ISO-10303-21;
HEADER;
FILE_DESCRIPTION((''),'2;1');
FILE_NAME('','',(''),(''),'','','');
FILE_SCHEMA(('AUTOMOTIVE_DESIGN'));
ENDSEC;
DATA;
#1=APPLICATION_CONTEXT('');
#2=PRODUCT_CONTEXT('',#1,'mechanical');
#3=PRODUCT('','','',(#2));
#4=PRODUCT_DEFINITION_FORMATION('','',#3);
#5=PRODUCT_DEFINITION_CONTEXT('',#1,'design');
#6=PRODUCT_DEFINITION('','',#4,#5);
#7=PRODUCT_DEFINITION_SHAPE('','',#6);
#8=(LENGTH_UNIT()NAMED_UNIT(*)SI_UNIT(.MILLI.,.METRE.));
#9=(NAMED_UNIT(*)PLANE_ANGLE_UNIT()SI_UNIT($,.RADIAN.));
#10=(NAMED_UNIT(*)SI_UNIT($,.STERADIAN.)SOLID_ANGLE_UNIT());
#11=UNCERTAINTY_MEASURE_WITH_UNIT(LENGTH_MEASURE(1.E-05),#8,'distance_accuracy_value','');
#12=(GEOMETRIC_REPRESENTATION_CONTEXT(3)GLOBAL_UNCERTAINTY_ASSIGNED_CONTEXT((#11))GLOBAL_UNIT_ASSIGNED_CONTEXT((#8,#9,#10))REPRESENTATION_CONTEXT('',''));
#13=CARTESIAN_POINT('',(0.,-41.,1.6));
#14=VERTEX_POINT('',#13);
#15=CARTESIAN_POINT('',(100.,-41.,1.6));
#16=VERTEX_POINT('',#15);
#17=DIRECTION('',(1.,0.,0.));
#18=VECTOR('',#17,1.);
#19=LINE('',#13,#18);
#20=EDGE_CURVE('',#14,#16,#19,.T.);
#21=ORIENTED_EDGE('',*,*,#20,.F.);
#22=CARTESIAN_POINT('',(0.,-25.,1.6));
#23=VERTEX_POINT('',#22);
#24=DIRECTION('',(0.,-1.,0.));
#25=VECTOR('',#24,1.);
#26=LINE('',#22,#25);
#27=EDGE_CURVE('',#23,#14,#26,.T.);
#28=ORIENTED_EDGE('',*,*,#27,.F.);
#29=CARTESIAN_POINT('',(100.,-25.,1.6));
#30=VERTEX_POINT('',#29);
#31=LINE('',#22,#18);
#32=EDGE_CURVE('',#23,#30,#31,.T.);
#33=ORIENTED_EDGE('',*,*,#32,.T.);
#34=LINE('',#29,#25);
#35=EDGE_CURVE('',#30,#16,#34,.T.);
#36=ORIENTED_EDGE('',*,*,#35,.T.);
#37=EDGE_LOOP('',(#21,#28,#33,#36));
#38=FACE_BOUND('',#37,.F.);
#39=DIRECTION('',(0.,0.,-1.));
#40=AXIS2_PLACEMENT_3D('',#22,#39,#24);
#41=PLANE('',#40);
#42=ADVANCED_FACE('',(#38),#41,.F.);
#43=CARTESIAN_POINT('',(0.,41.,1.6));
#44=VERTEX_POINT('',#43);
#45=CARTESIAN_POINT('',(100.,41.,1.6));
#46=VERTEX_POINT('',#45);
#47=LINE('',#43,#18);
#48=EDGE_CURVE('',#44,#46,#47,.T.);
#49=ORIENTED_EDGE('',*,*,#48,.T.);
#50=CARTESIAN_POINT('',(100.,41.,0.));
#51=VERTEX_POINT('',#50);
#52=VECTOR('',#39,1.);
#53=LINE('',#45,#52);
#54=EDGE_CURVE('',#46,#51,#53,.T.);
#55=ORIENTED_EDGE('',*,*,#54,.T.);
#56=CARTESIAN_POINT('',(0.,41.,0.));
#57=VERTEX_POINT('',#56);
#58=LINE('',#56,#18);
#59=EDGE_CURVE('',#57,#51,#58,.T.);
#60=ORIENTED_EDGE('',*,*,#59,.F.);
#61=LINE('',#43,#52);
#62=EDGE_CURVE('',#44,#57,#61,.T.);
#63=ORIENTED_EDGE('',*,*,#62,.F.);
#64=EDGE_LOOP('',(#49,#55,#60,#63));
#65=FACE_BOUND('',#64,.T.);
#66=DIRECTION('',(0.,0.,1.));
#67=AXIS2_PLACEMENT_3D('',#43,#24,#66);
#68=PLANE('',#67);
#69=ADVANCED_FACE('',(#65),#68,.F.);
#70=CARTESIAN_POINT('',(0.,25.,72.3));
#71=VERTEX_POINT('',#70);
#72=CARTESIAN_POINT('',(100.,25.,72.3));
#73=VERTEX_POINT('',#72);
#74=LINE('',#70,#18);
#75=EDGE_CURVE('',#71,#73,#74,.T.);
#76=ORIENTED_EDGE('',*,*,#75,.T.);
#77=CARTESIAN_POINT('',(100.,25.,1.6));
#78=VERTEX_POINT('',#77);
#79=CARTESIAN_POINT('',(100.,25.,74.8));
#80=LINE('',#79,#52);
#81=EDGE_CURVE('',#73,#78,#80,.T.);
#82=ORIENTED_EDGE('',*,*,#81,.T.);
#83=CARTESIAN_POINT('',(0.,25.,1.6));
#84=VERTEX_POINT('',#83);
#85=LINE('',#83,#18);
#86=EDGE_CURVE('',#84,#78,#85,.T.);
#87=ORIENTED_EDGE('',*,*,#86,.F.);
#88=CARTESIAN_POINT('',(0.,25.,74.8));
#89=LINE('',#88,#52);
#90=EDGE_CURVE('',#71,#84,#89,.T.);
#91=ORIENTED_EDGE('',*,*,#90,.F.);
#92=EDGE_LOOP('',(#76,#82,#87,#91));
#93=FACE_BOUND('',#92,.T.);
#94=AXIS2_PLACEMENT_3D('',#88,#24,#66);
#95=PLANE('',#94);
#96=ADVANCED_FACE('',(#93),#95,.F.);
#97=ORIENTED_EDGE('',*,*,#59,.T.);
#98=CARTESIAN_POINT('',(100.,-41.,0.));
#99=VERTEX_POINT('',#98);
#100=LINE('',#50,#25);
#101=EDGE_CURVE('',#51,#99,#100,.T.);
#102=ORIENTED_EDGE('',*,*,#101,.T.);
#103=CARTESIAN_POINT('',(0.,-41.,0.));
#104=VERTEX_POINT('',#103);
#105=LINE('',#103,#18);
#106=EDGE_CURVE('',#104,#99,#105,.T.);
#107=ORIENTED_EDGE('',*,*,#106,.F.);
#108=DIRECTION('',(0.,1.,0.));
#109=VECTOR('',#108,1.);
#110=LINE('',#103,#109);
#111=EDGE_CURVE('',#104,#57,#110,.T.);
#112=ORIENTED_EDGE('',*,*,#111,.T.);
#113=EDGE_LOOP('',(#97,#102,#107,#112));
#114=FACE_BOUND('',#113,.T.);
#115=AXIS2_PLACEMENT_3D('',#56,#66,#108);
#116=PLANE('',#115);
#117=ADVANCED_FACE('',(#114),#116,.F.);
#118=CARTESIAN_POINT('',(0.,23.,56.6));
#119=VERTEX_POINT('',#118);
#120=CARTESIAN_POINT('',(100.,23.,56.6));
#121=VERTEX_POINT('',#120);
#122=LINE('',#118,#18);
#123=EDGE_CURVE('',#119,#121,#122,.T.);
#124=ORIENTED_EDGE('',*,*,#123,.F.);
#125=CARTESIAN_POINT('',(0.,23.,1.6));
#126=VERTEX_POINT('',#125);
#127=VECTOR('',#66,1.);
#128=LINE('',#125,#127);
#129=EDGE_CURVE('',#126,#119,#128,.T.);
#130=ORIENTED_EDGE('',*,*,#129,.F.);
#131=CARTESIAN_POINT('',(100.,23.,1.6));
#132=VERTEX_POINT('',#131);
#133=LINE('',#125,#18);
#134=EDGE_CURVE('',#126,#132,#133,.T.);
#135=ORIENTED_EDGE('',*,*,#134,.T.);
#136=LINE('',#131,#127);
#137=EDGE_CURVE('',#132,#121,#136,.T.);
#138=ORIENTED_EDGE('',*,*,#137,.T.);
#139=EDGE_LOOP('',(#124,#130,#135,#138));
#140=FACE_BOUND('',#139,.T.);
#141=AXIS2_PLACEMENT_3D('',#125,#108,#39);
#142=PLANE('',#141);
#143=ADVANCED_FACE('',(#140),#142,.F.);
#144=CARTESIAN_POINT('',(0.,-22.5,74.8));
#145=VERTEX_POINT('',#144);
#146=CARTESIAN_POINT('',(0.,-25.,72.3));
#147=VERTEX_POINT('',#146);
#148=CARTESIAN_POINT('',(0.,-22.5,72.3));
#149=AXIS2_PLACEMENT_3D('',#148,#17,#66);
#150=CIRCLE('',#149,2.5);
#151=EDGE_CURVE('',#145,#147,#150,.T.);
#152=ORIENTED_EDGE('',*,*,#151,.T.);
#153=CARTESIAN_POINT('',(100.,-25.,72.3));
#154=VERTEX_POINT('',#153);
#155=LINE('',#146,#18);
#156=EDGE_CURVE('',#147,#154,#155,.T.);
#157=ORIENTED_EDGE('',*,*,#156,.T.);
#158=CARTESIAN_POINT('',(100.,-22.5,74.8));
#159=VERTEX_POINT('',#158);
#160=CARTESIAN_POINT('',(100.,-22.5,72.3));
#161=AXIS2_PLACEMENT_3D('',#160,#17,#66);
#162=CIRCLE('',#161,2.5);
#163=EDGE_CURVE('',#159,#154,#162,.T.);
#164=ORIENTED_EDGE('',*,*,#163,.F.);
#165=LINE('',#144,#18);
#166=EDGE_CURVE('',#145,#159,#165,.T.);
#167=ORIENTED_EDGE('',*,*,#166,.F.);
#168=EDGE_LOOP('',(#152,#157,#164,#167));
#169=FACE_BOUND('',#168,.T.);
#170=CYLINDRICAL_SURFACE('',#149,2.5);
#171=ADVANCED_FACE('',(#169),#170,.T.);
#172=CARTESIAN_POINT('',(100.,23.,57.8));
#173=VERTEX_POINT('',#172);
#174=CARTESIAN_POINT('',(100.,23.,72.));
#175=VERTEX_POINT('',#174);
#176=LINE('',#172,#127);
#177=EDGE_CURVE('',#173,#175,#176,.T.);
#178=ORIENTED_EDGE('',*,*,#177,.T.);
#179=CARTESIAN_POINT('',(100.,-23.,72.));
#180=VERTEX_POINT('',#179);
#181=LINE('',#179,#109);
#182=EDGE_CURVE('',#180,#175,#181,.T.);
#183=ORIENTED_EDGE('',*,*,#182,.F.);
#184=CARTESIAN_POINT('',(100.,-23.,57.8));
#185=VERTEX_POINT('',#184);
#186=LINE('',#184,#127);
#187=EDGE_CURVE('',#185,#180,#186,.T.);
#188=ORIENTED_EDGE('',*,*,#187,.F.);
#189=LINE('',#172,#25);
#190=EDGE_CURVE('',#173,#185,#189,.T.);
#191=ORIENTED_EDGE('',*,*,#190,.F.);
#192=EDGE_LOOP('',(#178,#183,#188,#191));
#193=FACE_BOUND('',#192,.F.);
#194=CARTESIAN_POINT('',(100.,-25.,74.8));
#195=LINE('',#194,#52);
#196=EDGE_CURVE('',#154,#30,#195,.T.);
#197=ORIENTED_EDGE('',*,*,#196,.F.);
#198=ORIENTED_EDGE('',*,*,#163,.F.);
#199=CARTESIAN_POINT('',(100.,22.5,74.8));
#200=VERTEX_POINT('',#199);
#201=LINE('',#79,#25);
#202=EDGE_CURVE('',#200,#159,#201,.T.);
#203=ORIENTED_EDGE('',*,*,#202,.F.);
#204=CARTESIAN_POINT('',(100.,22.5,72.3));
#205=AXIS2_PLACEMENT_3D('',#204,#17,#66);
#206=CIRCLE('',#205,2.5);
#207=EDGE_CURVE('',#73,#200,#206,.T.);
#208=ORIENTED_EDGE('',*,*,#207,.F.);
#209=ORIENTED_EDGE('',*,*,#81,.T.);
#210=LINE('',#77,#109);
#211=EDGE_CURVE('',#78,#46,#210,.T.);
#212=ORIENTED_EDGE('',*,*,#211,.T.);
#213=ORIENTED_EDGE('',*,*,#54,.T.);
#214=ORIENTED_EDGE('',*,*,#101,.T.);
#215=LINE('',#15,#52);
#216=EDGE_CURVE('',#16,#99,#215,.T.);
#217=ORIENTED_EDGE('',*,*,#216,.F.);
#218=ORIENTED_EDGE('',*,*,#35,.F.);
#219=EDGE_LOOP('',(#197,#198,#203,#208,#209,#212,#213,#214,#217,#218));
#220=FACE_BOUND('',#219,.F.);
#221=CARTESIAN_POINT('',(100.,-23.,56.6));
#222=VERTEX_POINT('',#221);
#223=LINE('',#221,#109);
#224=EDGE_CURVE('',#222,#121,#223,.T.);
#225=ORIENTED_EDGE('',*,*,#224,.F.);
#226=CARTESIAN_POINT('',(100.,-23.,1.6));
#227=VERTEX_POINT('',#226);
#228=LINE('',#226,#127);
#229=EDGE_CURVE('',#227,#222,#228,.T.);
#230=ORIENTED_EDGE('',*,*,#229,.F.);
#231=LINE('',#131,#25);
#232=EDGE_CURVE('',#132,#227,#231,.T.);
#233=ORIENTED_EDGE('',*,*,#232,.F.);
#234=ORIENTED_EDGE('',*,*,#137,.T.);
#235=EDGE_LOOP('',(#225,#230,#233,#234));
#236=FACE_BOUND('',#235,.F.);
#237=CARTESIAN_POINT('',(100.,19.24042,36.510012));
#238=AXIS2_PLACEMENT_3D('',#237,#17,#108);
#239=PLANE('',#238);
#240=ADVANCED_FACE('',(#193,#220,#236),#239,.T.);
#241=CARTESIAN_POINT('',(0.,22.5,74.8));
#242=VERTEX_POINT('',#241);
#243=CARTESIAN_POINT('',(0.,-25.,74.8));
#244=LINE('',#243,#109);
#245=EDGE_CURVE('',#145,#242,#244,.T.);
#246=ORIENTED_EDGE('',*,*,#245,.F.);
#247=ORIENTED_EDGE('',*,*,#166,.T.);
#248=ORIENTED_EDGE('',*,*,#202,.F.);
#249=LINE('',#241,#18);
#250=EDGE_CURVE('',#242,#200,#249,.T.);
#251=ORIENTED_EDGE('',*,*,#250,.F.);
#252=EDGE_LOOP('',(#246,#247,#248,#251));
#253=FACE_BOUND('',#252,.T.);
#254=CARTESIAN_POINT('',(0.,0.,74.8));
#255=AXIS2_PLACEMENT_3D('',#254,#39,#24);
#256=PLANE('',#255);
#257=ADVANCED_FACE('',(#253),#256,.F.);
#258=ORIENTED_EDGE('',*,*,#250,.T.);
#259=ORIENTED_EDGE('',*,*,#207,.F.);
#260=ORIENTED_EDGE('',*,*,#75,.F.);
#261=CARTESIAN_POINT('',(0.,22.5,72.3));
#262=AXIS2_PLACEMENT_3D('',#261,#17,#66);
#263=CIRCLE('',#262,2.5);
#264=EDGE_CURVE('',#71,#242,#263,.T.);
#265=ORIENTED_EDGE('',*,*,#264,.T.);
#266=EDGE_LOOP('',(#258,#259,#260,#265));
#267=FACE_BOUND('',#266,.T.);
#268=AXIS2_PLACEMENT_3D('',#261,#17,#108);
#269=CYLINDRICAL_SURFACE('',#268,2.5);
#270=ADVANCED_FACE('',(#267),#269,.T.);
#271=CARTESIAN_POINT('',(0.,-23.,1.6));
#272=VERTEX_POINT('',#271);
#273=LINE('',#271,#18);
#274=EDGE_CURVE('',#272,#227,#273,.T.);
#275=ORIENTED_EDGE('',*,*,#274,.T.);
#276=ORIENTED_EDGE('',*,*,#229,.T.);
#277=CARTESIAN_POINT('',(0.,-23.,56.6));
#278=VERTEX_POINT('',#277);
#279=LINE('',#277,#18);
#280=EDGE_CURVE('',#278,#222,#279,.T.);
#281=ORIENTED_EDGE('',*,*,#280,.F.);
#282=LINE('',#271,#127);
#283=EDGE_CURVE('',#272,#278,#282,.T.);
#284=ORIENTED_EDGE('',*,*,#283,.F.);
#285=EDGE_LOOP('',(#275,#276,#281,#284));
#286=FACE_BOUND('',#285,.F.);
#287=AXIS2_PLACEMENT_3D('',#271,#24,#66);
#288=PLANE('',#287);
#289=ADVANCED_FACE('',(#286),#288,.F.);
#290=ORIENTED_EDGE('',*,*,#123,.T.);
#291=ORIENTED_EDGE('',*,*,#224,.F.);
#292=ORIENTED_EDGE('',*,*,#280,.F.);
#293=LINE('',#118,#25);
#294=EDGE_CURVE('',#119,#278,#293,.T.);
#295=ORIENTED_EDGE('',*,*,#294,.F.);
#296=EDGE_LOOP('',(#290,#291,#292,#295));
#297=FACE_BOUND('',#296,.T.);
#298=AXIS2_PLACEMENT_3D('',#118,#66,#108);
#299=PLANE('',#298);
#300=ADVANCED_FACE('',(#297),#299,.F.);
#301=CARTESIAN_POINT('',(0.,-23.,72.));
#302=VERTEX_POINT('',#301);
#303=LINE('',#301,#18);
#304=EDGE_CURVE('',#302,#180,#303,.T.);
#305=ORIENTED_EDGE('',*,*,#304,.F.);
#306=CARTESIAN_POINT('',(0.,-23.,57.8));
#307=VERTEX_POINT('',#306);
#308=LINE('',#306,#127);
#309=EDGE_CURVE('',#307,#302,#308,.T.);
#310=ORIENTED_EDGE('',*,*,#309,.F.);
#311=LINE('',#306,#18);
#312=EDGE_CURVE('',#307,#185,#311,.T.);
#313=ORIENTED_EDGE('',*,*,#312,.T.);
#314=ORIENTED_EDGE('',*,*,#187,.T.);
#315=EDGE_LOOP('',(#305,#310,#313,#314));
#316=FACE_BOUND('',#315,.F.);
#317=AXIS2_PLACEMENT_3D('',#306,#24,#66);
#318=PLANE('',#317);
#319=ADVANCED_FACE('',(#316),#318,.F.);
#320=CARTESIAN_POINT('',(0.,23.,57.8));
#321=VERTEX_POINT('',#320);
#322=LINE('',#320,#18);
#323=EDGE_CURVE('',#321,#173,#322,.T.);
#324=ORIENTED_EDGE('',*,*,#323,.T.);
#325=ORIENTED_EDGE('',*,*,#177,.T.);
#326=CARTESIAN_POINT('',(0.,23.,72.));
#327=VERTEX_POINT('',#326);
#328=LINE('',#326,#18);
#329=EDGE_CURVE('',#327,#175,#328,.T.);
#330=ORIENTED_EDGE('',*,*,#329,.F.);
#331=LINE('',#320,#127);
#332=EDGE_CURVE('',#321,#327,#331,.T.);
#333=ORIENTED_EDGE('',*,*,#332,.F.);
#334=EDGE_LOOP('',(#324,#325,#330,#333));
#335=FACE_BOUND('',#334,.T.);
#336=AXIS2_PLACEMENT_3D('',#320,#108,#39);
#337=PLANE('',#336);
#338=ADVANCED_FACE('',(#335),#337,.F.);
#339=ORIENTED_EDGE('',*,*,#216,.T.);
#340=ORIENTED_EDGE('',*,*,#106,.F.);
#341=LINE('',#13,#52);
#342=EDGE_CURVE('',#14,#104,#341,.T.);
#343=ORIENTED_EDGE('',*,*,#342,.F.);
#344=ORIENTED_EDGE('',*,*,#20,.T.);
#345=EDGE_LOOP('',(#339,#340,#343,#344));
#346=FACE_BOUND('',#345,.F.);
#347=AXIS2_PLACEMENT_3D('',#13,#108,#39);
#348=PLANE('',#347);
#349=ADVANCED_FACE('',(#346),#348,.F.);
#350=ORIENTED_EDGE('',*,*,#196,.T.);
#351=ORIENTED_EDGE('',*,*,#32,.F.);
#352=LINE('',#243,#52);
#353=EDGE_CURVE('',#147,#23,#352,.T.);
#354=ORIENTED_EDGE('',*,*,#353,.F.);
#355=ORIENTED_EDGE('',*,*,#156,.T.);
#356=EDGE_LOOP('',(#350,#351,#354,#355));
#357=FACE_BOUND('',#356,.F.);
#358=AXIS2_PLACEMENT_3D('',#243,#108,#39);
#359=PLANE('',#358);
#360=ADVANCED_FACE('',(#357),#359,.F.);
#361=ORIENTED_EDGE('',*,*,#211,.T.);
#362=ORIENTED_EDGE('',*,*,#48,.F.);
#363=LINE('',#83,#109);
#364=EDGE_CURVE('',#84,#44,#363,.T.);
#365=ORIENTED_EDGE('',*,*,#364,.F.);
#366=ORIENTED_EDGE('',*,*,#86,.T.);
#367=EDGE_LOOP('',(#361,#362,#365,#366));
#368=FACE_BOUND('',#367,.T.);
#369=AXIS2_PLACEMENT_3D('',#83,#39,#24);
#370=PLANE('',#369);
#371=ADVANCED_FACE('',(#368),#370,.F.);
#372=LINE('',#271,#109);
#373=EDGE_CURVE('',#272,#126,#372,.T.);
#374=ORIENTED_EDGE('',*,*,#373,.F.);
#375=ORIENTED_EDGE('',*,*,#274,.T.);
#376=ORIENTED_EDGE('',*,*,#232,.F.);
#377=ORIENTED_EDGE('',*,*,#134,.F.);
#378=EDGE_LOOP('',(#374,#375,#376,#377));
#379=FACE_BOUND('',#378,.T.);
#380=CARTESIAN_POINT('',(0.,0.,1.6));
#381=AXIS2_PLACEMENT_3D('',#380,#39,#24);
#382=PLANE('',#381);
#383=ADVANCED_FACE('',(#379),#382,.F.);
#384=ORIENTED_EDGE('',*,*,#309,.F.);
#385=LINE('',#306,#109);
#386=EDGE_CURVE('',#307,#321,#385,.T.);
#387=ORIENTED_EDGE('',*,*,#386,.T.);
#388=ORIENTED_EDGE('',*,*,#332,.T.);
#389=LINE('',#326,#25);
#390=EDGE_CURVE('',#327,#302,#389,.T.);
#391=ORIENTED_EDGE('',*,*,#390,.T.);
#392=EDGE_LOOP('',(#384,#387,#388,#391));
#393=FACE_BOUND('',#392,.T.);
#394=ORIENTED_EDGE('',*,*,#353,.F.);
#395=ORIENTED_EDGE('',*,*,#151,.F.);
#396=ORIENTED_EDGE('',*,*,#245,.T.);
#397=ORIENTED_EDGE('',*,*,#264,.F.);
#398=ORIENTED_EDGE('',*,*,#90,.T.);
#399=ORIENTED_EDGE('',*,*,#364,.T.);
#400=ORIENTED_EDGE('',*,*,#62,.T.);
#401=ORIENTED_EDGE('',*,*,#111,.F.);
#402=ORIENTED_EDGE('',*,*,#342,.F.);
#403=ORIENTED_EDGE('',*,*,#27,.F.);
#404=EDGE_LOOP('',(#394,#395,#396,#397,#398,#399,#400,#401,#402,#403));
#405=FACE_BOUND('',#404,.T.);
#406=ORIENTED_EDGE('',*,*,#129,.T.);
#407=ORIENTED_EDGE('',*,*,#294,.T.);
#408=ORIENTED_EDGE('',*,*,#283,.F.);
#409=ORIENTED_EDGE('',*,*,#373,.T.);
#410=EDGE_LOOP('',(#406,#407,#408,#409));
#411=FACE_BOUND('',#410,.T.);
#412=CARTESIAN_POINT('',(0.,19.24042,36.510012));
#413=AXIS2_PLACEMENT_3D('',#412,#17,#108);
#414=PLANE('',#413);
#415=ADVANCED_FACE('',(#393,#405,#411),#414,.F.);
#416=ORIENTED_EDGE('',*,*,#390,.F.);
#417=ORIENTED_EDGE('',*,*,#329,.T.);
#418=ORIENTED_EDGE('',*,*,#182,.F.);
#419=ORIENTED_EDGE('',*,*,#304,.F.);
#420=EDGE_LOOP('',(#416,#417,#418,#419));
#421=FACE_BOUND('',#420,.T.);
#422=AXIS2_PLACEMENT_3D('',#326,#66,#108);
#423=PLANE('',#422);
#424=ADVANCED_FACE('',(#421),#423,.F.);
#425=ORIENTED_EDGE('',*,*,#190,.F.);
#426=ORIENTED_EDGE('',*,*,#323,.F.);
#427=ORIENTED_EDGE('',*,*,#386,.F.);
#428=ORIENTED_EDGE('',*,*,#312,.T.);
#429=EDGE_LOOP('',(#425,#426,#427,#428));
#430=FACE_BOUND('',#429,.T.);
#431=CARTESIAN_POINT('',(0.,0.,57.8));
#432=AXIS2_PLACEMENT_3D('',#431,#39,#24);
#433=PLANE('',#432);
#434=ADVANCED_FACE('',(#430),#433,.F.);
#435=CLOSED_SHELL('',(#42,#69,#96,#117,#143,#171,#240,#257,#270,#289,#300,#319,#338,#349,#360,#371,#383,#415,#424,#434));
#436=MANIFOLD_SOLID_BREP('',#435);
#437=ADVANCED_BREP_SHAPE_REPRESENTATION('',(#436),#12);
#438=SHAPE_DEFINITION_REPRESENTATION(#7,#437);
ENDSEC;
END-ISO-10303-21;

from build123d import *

# Parameters (mm, degrees)
F1_DEPTH = 100
F3_R     = 2.5


with BuildPart() as f1:
    # F0 (on Right) → F1 (new body)
    with BuildSketch(Plane.YZ):
        Polygon((-41, 0), (0, 0), (0, 1.6), (-23, 1.6), (-23, 56.6), (0, 56.6), (0, 57.8), (-23, 57.8), (-23, 72), (0, 72), (0, 74.8), (-25, 74.8), (-25, 1.6), (-41, 1.6), align=None)
    extrude(amount=F1_DEPTH)

    # F2: F1 across plane


with BuildPart() as f1_1:
    add(f1.part)
    add(f1.part.mirror(Plane.XZ))

    # F3
    f3_edges = [f1_1.edges().sort_by_distance(p)[0] for p in [
        (50, -25, 74.8),
        (50, 25, 74.8),
    ]]
    fillet(f3_edges, radius=F3_R)


solid = f1_1.part
